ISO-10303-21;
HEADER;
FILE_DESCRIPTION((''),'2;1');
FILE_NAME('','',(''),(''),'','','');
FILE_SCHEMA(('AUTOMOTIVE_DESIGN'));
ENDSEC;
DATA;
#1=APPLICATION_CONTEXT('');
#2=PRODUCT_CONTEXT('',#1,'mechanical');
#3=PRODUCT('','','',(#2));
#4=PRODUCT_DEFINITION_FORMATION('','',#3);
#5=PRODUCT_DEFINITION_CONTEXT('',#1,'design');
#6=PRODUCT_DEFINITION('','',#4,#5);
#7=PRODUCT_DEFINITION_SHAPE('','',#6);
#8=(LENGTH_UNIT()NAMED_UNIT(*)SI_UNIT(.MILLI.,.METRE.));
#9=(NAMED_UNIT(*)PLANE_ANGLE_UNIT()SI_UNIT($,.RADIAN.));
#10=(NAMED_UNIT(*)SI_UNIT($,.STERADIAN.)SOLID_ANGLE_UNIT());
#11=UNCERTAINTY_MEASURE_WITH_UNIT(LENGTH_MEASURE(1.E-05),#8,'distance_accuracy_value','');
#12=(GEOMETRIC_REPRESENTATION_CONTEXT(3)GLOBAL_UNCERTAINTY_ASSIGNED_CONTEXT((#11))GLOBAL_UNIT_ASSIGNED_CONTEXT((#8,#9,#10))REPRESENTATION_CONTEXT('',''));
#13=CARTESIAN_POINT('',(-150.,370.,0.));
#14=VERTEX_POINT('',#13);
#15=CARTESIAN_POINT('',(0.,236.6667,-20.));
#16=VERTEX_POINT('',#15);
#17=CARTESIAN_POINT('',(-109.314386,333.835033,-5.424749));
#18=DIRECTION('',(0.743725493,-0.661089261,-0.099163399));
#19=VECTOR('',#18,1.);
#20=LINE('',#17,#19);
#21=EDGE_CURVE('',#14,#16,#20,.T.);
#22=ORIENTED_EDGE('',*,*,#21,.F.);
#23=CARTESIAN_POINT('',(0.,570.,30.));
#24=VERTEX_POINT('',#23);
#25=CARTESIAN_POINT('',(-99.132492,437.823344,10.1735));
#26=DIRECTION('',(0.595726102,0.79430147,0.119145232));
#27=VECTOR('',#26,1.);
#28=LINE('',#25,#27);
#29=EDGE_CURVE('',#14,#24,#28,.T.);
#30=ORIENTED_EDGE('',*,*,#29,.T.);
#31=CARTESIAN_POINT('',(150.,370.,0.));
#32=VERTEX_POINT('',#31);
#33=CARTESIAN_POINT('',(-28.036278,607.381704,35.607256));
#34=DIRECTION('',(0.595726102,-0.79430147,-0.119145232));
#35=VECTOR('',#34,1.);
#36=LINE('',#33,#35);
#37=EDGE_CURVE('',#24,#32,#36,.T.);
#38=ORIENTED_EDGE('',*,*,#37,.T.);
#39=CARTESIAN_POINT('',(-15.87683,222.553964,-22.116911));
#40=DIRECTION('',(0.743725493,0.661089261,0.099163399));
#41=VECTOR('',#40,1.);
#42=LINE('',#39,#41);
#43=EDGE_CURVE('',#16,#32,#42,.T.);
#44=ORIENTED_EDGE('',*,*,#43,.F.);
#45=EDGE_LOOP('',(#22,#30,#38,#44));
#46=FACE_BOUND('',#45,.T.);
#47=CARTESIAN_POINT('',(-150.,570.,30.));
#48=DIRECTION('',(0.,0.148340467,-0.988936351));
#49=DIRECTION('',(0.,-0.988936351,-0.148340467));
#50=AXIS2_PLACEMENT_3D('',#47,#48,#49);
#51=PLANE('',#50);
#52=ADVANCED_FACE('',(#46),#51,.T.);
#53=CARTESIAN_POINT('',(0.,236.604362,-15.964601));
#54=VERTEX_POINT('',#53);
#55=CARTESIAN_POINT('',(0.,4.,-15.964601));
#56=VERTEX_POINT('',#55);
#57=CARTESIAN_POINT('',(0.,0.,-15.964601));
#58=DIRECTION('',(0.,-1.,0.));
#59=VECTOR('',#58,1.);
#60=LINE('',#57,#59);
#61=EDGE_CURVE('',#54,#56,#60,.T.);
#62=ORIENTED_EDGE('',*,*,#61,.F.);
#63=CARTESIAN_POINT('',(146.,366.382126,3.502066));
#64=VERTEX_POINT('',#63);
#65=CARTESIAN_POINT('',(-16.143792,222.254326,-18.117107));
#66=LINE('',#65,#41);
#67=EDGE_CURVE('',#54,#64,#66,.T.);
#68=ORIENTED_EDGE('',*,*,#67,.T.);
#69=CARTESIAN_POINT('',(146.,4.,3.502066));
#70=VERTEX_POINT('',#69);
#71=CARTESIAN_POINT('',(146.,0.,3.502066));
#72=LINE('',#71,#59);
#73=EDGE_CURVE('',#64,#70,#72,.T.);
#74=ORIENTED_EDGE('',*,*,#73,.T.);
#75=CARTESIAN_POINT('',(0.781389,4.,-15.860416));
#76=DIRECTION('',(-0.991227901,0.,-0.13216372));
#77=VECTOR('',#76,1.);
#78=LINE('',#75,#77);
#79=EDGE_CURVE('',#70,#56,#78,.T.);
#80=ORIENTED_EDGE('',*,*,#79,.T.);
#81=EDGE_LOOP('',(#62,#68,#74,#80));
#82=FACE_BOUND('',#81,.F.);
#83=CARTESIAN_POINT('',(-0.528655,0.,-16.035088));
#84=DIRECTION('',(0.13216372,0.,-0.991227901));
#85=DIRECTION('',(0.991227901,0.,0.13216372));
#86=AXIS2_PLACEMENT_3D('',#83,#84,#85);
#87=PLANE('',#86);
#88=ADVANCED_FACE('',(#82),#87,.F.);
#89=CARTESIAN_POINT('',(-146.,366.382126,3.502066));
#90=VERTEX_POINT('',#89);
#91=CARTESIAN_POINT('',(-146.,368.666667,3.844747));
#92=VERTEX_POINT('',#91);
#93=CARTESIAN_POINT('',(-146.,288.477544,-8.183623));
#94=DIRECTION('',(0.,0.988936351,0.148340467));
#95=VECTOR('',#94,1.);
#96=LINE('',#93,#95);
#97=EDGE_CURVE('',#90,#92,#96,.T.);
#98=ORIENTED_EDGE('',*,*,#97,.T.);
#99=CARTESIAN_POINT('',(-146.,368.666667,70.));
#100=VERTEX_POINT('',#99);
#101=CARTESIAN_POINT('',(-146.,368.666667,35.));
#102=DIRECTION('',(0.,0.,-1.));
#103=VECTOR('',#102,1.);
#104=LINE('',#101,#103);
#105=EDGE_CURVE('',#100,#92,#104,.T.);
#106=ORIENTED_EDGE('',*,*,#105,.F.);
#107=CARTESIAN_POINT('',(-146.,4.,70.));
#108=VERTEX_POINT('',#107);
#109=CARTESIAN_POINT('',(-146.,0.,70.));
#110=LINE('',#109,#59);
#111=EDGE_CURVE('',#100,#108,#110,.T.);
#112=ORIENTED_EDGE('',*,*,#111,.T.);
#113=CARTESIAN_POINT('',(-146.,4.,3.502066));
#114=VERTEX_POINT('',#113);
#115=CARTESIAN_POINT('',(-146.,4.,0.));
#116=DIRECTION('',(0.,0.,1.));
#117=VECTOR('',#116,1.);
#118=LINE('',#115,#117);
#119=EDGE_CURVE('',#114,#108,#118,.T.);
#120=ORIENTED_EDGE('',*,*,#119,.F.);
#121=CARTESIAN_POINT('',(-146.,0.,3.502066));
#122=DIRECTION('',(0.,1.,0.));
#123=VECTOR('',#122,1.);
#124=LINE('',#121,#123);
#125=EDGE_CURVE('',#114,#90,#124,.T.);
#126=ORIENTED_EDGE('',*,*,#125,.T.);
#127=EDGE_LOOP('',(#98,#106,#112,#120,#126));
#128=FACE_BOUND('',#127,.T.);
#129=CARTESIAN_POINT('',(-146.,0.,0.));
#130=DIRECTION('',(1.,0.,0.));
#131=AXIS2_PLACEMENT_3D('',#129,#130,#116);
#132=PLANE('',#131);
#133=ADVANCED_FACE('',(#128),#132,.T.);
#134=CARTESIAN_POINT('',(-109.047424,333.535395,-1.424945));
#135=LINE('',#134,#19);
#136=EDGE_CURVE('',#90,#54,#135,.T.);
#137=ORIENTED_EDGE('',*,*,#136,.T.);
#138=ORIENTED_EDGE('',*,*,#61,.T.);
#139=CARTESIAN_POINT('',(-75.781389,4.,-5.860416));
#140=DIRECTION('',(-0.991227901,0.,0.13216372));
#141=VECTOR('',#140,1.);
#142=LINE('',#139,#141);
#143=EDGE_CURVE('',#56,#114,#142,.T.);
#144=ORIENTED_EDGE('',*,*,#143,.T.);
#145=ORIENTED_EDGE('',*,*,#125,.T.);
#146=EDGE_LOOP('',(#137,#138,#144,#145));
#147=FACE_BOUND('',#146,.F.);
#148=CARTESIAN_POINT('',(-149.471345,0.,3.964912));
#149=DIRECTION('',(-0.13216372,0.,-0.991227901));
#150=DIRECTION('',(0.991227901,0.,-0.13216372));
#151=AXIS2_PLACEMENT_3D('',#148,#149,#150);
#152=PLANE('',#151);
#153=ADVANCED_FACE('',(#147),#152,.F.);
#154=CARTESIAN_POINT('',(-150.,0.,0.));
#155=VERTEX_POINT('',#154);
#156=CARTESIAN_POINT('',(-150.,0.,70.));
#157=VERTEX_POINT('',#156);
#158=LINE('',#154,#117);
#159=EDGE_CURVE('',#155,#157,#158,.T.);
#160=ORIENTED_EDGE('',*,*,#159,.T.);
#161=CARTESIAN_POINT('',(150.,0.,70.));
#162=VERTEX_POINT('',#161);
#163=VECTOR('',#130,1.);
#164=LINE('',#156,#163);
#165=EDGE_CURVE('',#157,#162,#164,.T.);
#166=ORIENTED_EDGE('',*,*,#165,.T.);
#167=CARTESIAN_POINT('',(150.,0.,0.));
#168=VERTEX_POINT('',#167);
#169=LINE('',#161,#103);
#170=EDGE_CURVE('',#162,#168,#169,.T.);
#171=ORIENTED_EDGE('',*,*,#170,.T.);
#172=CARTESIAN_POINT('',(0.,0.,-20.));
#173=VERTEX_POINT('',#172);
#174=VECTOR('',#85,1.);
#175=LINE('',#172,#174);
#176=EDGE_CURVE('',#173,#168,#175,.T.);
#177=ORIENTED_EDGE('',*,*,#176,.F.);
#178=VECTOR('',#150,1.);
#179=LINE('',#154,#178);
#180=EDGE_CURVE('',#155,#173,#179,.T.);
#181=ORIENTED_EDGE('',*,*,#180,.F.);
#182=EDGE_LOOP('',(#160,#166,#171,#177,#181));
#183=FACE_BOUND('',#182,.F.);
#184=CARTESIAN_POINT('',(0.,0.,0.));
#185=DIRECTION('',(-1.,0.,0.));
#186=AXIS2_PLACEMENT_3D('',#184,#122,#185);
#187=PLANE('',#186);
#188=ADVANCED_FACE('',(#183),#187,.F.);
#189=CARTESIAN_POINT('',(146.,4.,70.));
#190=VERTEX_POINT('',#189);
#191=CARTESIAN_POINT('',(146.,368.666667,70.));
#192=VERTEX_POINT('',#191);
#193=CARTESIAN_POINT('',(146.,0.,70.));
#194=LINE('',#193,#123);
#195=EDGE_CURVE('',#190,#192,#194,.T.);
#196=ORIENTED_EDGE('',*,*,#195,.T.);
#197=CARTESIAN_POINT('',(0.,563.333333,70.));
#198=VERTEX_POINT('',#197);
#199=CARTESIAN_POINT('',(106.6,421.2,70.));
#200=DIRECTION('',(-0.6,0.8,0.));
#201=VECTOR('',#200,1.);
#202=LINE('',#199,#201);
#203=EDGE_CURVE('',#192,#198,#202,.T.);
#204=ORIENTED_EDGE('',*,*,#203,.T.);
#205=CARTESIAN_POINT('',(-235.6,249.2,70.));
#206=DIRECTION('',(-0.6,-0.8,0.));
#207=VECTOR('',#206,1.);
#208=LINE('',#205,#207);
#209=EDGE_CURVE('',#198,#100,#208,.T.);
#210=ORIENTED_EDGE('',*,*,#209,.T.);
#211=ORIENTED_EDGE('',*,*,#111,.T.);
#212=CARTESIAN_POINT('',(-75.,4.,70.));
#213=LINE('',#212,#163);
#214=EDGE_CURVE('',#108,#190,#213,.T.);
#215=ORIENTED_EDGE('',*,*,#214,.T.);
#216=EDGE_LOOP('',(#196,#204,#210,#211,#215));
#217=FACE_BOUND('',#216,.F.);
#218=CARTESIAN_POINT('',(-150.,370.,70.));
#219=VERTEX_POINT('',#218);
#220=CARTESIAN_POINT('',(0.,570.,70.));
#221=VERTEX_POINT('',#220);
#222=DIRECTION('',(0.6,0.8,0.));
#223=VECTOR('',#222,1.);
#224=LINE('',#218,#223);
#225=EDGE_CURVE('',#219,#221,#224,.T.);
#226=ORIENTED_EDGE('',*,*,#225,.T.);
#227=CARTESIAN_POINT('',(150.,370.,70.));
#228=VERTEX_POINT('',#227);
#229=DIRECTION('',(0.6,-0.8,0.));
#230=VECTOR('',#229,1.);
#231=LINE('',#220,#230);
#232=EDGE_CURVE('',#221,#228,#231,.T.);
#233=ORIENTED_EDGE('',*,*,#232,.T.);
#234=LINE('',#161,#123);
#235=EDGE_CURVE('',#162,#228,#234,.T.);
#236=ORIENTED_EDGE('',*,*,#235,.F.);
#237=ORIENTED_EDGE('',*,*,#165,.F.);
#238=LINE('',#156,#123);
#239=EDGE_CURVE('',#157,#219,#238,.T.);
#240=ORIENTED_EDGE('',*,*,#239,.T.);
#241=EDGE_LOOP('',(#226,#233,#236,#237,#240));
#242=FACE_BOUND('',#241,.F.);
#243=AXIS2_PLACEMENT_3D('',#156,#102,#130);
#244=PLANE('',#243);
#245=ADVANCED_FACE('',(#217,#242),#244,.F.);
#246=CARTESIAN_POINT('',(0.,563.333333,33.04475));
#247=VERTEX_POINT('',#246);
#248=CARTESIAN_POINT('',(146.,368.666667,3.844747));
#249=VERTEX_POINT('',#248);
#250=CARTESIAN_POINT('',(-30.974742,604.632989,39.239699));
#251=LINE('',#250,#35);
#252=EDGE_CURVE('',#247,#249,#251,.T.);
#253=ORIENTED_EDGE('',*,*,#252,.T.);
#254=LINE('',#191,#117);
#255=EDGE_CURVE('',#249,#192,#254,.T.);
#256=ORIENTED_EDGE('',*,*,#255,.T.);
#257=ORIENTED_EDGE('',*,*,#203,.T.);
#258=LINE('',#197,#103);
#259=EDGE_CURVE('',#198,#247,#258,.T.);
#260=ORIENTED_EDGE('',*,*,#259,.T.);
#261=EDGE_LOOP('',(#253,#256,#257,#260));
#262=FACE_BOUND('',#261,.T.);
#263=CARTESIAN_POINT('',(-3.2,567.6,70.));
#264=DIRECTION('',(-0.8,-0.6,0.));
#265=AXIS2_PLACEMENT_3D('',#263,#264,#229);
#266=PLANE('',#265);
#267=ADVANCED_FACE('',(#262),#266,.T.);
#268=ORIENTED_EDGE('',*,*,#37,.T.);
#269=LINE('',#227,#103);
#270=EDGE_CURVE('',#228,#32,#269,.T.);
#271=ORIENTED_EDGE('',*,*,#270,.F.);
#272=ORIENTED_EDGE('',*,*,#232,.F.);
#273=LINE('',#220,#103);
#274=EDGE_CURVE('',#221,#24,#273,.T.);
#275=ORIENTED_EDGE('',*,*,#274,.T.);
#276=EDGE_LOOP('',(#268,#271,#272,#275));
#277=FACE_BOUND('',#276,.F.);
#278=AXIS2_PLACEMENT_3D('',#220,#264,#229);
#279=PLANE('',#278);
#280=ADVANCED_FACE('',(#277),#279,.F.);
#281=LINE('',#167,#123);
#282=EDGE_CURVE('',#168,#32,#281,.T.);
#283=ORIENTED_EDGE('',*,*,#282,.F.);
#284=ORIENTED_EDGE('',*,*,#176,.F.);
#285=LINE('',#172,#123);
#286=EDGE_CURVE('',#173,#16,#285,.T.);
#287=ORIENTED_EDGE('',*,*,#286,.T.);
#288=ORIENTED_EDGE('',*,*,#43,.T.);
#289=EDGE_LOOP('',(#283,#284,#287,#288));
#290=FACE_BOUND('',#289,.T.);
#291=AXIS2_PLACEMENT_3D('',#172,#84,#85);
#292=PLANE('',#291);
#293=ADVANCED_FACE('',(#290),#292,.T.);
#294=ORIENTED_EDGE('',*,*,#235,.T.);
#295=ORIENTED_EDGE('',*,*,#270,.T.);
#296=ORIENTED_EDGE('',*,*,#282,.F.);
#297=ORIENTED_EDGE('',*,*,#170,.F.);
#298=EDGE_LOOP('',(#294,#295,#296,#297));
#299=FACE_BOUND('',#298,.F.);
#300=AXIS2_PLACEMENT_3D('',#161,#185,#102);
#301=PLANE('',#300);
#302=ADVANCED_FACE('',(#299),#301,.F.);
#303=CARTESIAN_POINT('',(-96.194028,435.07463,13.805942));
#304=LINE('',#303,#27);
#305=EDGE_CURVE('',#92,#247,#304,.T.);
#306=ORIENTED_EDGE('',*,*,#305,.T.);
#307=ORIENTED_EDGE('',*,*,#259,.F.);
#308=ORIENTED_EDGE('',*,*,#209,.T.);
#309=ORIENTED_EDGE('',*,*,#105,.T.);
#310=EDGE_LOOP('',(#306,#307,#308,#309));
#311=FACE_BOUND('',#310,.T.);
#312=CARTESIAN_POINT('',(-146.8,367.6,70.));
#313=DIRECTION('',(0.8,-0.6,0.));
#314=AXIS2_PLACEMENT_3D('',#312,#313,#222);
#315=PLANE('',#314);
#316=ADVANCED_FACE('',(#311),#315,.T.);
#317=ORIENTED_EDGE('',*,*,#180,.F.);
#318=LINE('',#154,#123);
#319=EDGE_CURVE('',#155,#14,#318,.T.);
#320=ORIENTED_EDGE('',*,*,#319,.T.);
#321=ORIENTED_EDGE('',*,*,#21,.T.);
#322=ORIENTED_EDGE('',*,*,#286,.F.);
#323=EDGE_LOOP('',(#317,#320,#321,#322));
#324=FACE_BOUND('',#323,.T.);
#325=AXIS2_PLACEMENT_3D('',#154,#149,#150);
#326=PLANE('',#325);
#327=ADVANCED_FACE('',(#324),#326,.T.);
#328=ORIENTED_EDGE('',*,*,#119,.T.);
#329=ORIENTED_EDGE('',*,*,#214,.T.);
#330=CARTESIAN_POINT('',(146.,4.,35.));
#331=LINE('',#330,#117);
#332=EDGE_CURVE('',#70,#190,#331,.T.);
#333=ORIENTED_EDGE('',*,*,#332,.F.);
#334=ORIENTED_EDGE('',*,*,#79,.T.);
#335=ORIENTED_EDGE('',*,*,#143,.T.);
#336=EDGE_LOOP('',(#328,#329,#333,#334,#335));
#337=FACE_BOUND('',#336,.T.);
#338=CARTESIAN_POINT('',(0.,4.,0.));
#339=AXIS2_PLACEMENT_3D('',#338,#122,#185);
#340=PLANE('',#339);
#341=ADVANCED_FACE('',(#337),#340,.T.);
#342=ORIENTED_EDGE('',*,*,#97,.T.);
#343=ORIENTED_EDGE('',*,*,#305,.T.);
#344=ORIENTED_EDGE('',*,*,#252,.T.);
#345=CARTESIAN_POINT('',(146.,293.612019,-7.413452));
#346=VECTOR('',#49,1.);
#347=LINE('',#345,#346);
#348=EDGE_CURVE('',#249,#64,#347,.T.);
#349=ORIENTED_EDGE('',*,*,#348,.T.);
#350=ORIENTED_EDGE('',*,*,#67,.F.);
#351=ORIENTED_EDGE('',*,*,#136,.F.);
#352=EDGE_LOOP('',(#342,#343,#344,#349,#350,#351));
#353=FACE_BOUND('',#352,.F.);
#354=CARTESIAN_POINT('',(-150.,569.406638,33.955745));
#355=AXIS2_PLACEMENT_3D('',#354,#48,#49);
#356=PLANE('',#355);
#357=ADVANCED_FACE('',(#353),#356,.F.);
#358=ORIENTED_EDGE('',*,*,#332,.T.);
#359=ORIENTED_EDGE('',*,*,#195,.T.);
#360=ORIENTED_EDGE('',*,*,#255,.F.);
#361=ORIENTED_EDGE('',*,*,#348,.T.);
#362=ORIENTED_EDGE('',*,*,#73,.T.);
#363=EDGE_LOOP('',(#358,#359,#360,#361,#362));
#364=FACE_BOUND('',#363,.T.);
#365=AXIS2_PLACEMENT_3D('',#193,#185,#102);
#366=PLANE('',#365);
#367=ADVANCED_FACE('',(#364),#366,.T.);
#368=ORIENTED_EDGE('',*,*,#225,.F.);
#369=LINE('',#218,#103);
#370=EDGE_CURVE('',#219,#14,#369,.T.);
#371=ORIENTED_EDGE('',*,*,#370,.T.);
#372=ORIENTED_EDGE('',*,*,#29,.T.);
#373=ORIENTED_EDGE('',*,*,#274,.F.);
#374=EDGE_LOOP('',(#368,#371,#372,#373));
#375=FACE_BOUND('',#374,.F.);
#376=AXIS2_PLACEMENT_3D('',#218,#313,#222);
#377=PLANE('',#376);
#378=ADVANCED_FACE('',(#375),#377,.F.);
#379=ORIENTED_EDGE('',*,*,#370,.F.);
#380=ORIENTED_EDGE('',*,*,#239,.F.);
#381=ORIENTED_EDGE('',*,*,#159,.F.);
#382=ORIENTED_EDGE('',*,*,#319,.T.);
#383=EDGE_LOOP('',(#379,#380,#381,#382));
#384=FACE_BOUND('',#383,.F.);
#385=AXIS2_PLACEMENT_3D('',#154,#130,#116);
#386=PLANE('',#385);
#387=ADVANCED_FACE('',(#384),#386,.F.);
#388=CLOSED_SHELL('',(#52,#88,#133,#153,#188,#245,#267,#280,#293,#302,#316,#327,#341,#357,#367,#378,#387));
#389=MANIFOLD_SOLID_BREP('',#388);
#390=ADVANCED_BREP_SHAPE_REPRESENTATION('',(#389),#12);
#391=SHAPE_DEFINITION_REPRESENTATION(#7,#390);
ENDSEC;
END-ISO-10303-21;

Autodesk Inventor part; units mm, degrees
ref_plane "YZ Plane" through (0, 0, 0) normal (1, 0, 0) x (0, 1, 0)
ref_plane "XZ Plane" through (0, 0, 0) normal (0, 1, 0) x (-1, 0, 0)
ref_plane "XY Plane" through (0, 0, 0) normal (0, 0, 1) x (1, 0, 0)
sketch "Sketch1" plane through (0, 0, 0) normal (0, 1, 0) x (-1, 0, 0)
  line L0 (150, 70) -> (-150, 70)
  line L1 (-150, 70) -> (-150, 0)
  line L2 (-150, 0) -> (150, 0)
  line L3 (150, 0) -> (150, 70)
  line L4 (150, 0) -> (0, -20)
  line L5 (0, -20) -> (-150, 0)
  point P0 (0, 0)
  point P1 (0, 0)
  dimension "d0" = 300
  dimension "d1" = 70
  dimension "d2" = 20
extrude "Extrusion1" add sketch "Sketch1" along normal blind 600
sketch "Sketch2" plane through (-150, 0, 70) normal (0, 0, 1) x (1, 0, 0)
  line L0 (0, 0) -> (300, 0) projected
  line L1 (300, 0) -> (300, 600) projected
  line L2 (0, 600) -> (300, 600) projected
  line L3 (0, 0) -> (0, 600) projected
  ellipse E0 centre (150, 370) end of major axis (0, 370) minor radius 200
  line L4 (0, 370) -> (150, 570)
  line L5 (150, 570) -> (300, 370)
  point P0 (150, 0)
  point P1 (150, 600)
  dimension "d7" = 200
  dimension "d5" = 370
extrude "Extrusion2" cut sketch "Sketch2" against normal through all contours L3 L2 L1 E0 | E0 L4 | L5 E0
sketch "Sketch3" plane through (-150, 0, 0) normal (-1, 0, 0) x (0, 0, 1)
  line L0 (70, 570) -> (-20, 570) projected
  line L1 (-20, 0) -> (-20, 570) projected
  line L2 (30, 570) -> (-20, 236.6667)
  point P0 (0, 0)
  point P1 (0, 370)
  dimension "d11" = 40
extrude "Extrusion3" cut sketch "Sketch3" against normal through all
shell "Shell2" thickness 4 removed faces 1 at (50, 246.6667, 70)
properties part number "Generalcraftshape1"
